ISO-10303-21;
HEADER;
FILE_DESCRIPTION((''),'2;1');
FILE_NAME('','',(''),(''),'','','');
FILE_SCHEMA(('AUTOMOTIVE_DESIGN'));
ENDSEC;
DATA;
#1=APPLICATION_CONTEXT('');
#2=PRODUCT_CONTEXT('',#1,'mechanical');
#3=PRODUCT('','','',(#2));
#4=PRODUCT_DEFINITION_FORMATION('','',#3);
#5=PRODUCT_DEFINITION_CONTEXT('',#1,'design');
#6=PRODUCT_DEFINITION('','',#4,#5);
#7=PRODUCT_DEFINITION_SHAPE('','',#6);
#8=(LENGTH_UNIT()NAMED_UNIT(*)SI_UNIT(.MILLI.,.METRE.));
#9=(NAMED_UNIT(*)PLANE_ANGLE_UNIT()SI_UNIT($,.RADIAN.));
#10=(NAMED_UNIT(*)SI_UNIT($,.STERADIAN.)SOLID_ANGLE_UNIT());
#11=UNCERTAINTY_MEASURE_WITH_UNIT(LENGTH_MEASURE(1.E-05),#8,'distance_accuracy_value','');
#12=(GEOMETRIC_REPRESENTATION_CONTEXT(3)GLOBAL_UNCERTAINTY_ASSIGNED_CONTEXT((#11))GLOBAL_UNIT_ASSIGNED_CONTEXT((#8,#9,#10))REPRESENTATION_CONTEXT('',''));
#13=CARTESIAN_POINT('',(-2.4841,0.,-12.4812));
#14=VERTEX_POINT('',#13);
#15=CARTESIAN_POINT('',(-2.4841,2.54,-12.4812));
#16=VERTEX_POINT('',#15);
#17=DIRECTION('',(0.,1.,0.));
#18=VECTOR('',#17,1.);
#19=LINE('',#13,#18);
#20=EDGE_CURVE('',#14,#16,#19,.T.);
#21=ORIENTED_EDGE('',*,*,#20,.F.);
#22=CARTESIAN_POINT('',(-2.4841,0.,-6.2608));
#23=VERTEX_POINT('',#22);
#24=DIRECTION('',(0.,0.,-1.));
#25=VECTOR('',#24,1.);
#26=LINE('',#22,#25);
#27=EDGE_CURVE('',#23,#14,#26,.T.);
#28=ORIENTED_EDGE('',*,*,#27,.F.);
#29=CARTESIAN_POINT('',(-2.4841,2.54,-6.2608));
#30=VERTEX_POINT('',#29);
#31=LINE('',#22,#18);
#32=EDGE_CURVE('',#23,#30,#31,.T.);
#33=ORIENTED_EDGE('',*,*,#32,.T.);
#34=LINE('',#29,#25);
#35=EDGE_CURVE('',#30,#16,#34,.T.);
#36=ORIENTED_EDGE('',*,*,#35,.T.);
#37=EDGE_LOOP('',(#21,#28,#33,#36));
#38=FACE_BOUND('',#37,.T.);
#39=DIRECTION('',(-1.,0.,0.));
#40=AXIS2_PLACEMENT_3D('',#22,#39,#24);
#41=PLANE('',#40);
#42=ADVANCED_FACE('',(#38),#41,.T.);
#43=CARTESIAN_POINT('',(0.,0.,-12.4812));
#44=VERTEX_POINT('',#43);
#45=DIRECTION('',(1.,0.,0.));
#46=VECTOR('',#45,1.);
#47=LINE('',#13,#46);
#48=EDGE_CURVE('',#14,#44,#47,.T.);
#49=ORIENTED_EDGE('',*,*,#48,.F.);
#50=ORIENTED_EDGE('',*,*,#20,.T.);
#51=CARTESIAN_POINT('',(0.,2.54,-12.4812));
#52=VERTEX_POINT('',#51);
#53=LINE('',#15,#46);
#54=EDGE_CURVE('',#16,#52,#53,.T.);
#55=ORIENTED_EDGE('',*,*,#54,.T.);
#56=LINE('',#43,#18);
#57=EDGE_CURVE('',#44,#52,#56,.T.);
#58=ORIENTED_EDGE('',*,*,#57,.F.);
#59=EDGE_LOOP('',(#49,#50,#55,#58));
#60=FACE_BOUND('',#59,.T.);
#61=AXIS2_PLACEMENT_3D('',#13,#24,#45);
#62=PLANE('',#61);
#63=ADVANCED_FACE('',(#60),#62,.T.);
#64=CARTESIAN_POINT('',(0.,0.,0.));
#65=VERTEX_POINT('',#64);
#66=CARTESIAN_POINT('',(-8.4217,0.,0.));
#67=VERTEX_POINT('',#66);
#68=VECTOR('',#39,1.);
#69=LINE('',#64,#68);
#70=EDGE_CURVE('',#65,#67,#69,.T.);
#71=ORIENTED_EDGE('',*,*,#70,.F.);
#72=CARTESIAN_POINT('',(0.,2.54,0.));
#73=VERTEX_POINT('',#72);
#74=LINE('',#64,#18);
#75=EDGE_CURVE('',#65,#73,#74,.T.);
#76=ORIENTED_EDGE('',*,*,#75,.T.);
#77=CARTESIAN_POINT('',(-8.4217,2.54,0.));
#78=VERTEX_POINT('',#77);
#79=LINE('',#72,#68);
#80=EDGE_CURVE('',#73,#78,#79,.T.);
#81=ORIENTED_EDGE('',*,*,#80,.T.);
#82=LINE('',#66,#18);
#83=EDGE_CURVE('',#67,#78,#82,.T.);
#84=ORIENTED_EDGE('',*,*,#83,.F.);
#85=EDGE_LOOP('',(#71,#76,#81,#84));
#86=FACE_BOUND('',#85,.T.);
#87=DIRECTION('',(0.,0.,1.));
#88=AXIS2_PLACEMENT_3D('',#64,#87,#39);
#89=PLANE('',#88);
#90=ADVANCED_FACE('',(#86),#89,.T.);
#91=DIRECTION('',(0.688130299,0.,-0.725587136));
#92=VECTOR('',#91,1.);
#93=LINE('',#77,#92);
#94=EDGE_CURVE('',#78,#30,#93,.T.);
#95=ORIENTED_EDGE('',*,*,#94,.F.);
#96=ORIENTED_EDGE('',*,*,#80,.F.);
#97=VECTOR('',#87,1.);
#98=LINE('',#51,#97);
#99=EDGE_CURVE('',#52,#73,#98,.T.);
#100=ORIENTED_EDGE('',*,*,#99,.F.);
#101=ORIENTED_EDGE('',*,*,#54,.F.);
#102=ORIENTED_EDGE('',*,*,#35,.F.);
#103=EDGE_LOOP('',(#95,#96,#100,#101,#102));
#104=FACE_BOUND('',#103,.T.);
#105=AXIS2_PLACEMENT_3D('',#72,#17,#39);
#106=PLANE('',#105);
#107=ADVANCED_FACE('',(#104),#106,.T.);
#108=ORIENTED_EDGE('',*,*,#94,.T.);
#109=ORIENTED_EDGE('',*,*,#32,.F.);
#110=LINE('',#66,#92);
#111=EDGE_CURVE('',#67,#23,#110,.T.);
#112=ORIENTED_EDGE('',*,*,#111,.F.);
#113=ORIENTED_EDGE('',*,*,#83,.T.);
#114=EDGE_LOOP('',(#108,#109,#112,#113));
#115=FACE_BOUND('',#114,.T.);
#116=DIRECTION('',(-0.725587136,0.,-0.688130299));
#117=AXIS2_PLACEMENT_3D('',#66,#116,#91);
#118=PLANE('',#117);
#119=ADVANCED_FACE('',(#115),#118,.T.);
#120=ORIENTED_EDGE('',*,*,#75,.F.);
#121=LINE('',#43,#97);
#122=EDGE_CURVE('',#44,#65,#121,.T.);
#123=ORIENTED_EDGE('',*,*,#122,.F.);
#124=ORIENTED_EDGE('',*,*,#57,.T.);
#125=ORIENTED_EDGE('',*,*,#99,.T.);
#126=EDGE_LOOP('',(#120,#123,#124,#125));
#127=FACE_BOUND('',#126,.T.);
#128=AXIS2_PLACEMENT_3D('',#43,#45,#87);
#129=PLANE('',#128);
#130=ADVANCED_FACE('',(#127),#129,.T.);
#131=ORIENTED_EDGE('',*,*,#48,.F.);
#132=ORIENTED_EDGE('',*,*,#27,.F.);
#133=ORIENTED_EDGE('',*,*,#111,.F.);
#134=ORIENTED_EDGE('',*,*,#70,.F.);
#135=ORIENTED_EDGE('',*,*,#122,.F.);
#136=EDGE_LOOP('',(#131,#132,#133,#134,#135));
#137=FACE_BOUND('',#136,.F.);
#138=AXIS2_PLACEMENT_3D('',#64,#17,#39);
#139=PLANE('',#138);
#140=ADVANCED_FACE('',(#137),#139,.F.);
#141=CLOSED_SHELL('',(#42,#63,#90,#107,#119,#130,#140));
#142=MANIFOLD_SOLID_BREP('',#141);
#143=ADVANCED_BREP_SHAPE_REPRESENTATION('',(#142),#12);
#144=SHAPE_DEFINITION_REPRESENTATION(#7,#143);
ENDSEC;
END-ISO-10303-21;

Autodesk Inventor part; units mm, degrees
ref_plane "YZ Plane" through (0, 0, 0) normal (1, 0, 0) x (0, 1, 0)
ref_plane "XZ Plane" through (0, 0, 0) normal (0, 1, 0) x (-1, 0, 0)
ref_plane "XY Plane" through (0, 0, 0) normal (0, 0, 1) x (1, 0, 0)
sketch "Sketch1" plane through (0, 0, 0) normal (0, 1, 0) x (-1, 0, 0)
  line L0 (0, 0) -> (8.4217, 0)
  line L1 (8.4217, 0) -> (2.4841, -6.2608)
  line L2 (2.4841, -6.2608) -> (2.4841, -12.4812)
  line L3 (2.4841, -12.4812) -> (0, -12.4812)
  line L4 (0, -12.4812) -> (0, 0)
extrude "Extrusion1" add sketch "Sketch1" along normal blind 2.54
properties part number "test_part"
